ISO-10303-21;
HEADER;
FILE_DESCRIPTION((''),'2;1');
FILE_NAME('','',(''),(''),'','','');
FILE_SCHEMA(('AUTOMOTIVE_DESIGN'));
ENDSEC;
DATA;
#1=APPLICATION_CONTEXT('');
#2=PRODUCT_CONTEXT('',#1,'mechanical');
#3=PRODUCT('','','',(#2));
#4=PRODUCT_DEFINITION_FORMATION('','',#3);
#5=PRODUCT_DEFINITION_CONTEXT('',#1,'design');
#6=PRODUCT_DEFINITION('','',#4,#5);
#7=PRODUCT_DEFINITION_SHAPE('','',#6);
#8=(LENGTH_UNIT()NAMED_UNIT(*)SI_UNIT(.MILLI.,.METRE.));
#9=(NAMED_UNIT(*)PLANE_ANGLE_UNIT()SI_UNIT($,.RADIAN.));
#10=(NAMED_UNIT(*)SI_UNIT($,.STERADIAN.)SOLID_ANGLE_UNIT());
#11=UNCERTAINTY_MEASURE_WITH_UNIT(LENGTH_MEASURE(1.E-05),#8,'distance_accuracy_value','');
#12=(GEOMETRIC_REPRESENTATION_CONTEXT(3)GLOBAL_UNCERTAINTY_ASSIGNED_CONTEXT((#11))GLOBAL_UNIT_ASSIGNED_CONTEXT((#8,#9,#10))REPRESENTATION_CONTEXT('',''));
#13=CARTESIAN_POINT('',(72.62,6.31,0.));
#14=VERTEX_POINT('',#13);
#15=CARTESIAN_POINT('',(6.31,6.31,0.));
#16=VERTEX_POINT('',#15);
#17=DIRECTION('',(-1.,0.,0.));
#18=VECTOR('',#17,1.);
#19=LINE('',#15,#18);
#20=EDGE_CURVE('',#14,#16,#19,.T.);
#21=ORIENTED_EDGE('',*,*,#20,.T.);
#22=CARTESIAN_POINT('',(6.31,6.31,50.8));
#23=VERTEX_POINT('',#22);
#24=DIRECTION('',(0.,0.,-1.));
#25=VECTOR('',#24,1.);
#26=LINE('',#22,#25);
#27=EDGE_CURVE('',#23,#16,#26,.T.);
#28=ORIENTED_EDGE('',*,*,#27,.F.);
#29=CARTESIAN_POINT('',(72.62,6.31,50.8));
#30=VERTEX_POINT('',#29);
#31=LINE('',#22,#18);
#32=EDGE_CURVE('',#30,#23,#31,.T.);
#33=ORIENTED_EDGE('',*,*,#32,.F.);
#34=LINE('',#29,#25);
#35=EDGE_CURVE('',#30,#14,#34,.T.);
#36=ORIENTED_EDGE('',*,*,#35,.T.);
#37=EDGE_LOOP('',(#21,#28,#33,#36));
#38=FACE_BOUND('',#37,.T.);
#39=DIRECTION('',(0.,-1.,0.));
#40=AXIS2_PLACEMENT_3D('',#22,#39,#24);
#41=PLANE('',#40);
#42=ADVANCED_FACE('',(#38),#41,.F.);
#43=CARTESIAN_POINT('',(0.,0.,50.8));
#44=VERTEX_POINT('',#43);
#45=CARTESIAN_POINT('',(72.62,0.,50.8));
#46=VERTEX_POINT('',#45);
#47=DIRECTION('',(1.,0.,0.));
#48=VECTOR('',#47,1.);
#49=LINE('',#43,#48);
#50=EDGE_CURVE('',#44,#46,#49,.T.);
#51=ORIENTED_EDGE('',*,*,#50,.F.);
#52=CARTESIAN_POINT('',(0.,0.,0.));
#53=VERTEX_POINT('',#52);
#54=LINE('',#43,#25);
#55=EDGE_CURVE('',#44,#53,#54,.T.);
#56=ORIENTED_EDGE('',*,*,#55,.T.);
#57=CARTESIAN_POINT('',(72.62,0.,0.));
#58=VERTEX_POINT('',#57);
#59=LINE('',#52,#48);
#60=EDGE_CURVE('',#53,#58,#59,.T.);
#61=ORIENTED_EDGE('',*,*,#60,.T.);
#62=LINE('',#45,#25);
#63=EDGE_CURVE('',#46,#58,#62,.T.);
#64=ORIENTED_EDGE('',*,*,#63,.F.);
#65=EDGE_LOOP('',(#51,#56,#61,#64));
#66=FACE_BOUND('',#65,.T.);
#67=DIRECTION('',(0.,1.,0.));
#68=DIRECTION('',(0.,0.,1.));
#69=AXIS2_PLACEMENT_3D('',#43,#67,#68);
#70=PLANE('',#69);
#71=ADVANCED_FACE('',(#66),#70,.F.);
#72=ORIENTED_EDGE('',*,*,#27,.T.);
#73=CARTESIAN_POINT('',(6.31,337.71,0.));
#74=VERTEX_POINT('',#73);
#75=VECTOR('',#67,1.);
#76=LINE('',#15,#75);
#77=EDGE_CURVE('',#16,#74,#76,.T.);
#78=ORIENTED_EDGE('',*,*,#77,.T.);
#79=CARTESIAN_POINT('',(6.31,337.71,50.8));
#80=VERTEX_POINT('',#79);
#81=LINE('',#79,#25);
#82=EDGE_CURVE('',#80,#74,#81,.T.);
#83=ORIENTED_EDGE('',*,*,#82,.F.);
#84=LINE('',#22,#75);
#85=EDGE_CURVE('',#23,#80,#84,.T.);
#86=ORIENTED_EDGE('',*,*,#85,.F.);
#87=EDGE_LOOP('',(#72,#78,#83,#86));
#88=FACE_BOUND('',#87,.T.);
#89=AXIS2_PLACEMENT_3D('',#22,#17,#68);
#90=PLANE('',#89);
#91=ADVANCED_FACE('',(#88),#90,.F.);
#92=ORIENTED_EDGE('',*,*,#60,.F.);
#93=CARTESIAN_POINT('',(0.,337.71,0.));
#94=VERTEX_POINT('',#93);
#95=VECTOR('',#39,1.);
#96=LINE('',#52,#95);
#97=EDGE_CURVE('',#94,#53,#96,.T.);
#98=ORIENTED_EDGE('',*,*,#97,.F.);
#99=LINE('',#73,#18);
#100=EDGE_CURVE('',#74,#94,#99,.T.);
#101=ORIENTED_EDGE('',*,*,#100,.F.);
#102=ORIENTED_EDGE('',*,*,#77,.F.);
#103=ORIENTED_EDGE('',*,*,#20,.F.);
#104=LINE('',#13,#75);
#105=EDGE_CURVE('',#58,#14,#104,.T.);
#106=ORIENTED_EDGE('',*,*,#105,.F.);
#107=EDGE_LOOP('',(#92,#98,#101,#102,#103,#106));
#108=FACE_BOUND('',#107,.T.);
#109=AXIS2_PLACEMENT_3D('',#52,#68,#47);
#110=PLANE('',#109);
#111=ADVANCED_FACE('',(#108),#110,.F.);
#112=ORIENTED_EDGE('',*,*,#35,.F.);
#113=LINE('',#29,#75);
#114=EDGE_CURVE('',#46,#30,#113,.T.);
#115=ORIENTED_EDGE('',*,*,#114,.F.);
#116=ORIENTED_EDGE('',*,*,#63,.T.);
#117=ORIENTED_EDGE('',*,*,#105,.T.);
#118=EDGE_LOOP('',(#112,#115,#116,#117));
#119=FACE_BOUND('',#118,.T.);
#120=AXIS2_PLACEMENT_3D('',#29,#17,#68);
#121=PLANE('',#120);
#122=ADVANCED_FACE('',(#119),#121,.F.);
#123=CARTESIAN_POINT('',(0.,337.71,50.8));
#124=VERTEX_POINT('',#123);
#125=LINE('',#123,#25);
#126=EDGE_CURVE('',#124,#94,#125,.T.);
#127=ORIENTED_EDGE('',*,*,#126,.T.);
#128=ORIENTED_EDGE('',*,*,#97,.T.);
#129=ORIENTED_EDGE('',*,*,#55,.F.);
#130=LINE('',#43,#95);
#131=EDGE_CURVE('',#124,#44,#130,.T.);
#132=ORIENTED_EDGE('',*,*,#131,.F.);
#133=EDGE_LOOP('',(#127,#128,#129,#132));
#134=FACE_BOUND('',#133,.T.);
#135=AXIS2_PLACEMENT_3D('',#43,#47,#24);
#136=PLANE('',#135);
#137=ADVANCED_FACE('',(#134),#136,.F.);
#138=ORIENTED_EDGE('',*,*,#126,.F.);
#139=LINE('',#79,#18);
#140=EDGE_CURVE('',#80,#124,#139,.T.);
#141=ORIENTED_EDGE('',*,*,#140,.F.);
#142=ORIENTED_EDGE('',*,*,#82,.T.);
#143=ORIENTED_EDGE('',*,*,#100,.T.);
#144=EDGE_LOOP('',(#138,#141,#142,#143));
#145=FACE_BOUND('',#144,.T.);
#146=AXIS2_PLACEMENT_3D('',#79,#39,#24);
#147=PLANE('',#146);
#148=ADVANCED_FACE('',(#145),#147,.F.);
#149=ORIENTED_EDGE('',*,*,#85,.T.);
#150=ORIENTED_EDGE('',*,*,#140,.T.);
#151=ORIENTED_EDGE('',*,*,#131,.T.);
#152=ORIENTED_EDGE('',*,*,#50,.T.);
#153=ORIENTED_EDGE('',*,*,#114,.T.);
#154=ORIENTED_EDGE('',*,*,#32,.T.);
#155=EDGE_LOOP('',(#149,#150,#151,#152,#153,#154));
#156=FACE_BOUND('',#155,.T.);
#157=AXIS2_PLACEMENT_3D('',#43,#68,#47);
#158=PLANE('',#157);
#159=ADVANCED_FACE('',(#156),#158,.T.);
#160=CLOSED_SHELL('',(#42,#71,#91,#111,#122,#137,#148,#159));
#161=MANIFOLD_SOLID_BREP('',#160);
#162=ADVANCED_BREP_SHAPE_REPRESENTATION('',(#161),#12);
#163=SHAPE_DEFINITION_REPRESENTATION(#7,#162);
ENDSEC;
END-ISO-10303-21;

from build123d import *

# Parameters (mm, degrees)
SALIENTE_EXTRUIR1_DEPTH = 50.8


with BuildPart() as part:
    # Croquis1 → Saliente-Extruir1 (new body)
    with BuildSketch(Plane.XY):
        Polygon((0, 0), (72.62, 0), (72.62, 6.31), (6.31, 6.31), (6.31, 337.71), (0, 337.71), align=None)
    extrude(amount=SALIENTE_EXTRUIR1_DEPTH)


solid = part.part
